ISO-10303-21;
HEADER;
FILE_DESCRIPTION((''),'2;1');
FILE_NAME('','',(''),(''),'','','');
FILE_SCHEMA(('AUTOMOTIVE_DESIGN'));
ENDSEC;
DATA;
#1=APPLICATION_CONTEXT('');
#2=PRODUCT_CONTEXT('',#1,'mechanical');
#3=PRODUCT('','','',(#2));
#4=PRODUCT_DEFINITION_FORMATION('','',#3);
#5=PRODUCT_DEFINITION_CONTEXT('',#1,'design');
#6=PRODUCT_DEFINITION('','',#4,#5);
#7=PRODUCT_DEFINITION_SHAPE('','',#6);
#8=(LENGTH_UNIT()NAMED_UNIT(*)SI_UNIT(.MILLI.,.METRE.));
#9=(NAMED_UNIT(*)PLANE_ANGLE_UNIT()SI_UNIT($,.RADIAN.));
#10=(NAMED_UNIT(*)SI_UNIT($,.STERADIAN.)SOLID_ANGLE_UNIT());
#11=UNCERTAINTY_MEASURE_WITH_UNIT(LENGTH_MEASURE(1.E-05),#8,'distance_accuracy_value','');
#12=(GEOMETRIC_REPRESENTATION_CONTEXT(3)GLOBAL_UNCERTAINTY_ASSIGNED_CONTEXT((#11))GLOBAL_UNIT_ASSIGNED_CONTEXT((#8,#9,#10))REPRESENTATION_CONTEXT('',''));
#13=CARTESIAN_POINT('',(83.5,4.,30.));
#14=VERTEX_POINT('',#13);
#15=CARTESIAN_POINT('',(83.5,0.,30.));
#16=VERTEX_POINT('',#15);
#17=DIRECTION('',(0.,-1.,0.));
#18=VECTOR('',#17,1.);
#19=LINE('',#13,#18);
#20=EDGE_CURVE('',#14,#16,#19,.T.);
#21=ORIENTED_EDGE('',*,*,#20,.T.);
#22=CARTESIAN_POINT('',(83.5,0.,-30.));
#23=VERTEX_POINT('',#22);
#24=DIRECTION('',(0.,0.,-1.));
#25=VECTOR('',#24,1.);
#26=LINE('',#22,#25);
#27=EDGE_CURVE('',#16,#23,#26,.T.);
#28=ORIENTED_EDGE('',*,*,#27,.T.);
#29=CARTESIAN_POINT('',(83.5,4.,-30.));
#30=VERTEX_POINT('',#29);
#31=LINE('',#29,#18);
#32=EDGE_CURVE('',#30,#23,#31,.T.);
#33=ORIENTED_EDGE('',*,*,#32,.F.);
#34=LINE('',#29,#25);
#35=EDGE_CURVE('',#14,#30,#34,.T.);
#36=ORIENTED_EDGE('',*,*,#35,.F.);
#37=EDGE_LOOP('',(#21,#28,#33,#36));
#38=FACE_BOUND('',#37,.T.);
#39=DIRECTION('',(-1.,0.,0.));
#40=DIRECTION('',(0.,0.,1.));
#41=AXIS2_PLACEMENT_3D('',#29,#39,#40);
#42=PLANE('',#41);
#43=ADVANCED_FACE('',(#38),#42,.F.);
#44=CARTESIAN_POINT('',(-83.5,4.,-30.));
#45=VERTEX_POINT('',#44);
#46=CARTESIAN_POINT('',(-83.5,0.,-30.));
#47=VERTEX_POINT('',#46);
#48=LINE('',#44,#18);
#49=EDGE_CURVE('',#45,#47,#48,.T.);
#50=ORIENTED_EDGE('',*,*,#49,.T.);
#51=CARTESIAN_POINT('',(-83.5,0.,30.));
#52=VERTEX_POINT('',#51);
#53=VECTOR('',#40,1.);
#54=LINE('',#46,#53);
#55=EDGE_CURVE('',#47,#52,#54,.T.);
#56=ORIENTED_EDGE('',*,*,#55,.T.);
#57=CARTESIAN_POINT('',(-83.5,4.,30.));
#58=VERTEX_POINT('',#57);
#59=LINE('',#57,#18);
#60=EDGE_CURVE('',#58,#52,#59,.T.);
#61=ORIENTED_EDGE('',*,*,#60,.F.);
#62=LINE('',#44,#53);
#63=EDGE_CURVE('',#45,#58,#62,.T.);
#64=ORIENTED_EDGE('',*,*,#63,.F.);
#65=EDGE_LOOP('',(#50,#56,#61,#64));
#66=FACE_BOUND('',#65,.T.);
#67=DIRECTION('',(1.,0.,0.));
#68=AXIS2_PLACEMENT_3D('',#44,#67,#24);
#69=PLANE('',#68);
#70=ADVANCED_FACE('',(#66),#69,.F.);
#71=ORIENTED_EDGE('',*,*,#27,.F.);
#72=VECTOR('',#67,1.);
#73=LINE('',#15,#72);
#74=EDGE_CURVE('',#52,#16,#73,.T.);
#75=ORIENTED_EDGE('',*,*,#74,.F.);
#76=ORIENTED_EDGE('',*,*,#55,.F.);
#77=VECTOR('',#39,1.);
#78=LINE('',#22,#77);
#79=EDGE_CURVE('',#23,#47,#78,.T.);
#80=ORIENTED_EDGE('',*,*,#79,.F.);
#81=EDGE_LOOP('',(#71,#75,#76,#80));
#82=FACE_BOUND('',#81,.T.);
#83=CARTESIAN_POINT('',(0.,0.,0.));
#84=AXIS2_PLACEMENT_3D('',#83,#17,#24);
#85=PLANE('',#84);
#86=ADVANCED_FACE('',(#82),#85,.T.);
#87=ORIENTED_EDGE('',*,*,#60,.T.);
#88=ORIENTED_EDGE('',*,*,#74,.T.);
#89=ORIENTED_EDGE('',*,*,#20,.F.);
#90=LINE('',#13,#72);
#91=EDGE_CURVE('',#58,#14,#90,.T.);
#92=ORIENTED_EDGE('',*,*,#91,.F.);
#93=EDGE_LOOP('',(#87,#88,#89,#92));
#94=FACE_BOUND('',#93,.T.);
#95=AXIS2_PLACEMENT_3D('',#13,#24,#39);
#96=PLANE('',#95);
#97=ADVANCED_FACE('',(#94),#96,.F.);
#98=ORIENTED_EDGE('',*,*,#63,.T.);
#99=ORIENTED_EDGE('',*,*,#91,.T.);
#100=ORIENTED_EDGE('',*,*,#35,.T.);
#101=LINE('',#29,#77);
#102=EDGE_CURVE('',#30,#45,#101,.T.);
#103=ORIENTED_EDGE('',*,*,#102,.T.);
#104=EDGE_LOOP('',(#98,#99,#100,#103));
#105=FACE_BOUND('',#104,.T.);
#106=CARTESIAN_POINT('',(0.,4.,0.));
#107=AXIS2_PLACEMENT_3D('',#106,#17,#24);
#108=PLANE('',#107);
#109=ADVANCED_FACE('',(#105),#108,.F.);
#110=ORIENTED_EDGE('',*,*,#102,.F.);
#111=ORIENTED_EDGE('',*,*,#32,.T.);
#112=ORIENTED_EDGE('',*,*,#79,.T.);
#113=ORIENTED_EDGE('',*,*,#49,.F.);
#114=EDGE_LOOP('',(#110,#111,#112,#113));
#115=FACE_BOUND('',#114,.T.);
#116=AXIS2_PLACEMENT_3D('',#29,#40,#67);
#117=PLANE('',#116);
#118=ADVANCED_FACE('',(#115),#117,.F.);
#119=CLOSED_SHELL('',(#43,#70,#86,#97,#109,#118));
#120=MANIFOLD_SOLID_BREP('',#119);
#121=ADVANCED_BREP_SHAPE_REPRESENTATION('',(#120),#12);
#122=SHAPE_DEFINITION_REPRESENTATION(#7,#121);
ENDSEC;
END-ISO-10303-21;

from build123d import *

# Parameters (mm, degrees)
SCHIZZO1_W                   = 167
SCHIZZO1_H                   = 60
ESTRUSIONE_ESTRUSIONE1_DEPTH = 4


with BuildPart() as part:
    # Schizzo1 → Estrusione-Estrusione1 (new body)
    with BuildSketch(Plane(origin=(0, 0, 0), x_dir=(1, 0, 0), z_dir=(0, 1, 0))):
        Rectangle(SCHIZZO1_W, SCHIZZO1_H)
    extrude(amount=ESTRUSIONE_ESTRUSIONE1_DEPTH)


solid = part.part
